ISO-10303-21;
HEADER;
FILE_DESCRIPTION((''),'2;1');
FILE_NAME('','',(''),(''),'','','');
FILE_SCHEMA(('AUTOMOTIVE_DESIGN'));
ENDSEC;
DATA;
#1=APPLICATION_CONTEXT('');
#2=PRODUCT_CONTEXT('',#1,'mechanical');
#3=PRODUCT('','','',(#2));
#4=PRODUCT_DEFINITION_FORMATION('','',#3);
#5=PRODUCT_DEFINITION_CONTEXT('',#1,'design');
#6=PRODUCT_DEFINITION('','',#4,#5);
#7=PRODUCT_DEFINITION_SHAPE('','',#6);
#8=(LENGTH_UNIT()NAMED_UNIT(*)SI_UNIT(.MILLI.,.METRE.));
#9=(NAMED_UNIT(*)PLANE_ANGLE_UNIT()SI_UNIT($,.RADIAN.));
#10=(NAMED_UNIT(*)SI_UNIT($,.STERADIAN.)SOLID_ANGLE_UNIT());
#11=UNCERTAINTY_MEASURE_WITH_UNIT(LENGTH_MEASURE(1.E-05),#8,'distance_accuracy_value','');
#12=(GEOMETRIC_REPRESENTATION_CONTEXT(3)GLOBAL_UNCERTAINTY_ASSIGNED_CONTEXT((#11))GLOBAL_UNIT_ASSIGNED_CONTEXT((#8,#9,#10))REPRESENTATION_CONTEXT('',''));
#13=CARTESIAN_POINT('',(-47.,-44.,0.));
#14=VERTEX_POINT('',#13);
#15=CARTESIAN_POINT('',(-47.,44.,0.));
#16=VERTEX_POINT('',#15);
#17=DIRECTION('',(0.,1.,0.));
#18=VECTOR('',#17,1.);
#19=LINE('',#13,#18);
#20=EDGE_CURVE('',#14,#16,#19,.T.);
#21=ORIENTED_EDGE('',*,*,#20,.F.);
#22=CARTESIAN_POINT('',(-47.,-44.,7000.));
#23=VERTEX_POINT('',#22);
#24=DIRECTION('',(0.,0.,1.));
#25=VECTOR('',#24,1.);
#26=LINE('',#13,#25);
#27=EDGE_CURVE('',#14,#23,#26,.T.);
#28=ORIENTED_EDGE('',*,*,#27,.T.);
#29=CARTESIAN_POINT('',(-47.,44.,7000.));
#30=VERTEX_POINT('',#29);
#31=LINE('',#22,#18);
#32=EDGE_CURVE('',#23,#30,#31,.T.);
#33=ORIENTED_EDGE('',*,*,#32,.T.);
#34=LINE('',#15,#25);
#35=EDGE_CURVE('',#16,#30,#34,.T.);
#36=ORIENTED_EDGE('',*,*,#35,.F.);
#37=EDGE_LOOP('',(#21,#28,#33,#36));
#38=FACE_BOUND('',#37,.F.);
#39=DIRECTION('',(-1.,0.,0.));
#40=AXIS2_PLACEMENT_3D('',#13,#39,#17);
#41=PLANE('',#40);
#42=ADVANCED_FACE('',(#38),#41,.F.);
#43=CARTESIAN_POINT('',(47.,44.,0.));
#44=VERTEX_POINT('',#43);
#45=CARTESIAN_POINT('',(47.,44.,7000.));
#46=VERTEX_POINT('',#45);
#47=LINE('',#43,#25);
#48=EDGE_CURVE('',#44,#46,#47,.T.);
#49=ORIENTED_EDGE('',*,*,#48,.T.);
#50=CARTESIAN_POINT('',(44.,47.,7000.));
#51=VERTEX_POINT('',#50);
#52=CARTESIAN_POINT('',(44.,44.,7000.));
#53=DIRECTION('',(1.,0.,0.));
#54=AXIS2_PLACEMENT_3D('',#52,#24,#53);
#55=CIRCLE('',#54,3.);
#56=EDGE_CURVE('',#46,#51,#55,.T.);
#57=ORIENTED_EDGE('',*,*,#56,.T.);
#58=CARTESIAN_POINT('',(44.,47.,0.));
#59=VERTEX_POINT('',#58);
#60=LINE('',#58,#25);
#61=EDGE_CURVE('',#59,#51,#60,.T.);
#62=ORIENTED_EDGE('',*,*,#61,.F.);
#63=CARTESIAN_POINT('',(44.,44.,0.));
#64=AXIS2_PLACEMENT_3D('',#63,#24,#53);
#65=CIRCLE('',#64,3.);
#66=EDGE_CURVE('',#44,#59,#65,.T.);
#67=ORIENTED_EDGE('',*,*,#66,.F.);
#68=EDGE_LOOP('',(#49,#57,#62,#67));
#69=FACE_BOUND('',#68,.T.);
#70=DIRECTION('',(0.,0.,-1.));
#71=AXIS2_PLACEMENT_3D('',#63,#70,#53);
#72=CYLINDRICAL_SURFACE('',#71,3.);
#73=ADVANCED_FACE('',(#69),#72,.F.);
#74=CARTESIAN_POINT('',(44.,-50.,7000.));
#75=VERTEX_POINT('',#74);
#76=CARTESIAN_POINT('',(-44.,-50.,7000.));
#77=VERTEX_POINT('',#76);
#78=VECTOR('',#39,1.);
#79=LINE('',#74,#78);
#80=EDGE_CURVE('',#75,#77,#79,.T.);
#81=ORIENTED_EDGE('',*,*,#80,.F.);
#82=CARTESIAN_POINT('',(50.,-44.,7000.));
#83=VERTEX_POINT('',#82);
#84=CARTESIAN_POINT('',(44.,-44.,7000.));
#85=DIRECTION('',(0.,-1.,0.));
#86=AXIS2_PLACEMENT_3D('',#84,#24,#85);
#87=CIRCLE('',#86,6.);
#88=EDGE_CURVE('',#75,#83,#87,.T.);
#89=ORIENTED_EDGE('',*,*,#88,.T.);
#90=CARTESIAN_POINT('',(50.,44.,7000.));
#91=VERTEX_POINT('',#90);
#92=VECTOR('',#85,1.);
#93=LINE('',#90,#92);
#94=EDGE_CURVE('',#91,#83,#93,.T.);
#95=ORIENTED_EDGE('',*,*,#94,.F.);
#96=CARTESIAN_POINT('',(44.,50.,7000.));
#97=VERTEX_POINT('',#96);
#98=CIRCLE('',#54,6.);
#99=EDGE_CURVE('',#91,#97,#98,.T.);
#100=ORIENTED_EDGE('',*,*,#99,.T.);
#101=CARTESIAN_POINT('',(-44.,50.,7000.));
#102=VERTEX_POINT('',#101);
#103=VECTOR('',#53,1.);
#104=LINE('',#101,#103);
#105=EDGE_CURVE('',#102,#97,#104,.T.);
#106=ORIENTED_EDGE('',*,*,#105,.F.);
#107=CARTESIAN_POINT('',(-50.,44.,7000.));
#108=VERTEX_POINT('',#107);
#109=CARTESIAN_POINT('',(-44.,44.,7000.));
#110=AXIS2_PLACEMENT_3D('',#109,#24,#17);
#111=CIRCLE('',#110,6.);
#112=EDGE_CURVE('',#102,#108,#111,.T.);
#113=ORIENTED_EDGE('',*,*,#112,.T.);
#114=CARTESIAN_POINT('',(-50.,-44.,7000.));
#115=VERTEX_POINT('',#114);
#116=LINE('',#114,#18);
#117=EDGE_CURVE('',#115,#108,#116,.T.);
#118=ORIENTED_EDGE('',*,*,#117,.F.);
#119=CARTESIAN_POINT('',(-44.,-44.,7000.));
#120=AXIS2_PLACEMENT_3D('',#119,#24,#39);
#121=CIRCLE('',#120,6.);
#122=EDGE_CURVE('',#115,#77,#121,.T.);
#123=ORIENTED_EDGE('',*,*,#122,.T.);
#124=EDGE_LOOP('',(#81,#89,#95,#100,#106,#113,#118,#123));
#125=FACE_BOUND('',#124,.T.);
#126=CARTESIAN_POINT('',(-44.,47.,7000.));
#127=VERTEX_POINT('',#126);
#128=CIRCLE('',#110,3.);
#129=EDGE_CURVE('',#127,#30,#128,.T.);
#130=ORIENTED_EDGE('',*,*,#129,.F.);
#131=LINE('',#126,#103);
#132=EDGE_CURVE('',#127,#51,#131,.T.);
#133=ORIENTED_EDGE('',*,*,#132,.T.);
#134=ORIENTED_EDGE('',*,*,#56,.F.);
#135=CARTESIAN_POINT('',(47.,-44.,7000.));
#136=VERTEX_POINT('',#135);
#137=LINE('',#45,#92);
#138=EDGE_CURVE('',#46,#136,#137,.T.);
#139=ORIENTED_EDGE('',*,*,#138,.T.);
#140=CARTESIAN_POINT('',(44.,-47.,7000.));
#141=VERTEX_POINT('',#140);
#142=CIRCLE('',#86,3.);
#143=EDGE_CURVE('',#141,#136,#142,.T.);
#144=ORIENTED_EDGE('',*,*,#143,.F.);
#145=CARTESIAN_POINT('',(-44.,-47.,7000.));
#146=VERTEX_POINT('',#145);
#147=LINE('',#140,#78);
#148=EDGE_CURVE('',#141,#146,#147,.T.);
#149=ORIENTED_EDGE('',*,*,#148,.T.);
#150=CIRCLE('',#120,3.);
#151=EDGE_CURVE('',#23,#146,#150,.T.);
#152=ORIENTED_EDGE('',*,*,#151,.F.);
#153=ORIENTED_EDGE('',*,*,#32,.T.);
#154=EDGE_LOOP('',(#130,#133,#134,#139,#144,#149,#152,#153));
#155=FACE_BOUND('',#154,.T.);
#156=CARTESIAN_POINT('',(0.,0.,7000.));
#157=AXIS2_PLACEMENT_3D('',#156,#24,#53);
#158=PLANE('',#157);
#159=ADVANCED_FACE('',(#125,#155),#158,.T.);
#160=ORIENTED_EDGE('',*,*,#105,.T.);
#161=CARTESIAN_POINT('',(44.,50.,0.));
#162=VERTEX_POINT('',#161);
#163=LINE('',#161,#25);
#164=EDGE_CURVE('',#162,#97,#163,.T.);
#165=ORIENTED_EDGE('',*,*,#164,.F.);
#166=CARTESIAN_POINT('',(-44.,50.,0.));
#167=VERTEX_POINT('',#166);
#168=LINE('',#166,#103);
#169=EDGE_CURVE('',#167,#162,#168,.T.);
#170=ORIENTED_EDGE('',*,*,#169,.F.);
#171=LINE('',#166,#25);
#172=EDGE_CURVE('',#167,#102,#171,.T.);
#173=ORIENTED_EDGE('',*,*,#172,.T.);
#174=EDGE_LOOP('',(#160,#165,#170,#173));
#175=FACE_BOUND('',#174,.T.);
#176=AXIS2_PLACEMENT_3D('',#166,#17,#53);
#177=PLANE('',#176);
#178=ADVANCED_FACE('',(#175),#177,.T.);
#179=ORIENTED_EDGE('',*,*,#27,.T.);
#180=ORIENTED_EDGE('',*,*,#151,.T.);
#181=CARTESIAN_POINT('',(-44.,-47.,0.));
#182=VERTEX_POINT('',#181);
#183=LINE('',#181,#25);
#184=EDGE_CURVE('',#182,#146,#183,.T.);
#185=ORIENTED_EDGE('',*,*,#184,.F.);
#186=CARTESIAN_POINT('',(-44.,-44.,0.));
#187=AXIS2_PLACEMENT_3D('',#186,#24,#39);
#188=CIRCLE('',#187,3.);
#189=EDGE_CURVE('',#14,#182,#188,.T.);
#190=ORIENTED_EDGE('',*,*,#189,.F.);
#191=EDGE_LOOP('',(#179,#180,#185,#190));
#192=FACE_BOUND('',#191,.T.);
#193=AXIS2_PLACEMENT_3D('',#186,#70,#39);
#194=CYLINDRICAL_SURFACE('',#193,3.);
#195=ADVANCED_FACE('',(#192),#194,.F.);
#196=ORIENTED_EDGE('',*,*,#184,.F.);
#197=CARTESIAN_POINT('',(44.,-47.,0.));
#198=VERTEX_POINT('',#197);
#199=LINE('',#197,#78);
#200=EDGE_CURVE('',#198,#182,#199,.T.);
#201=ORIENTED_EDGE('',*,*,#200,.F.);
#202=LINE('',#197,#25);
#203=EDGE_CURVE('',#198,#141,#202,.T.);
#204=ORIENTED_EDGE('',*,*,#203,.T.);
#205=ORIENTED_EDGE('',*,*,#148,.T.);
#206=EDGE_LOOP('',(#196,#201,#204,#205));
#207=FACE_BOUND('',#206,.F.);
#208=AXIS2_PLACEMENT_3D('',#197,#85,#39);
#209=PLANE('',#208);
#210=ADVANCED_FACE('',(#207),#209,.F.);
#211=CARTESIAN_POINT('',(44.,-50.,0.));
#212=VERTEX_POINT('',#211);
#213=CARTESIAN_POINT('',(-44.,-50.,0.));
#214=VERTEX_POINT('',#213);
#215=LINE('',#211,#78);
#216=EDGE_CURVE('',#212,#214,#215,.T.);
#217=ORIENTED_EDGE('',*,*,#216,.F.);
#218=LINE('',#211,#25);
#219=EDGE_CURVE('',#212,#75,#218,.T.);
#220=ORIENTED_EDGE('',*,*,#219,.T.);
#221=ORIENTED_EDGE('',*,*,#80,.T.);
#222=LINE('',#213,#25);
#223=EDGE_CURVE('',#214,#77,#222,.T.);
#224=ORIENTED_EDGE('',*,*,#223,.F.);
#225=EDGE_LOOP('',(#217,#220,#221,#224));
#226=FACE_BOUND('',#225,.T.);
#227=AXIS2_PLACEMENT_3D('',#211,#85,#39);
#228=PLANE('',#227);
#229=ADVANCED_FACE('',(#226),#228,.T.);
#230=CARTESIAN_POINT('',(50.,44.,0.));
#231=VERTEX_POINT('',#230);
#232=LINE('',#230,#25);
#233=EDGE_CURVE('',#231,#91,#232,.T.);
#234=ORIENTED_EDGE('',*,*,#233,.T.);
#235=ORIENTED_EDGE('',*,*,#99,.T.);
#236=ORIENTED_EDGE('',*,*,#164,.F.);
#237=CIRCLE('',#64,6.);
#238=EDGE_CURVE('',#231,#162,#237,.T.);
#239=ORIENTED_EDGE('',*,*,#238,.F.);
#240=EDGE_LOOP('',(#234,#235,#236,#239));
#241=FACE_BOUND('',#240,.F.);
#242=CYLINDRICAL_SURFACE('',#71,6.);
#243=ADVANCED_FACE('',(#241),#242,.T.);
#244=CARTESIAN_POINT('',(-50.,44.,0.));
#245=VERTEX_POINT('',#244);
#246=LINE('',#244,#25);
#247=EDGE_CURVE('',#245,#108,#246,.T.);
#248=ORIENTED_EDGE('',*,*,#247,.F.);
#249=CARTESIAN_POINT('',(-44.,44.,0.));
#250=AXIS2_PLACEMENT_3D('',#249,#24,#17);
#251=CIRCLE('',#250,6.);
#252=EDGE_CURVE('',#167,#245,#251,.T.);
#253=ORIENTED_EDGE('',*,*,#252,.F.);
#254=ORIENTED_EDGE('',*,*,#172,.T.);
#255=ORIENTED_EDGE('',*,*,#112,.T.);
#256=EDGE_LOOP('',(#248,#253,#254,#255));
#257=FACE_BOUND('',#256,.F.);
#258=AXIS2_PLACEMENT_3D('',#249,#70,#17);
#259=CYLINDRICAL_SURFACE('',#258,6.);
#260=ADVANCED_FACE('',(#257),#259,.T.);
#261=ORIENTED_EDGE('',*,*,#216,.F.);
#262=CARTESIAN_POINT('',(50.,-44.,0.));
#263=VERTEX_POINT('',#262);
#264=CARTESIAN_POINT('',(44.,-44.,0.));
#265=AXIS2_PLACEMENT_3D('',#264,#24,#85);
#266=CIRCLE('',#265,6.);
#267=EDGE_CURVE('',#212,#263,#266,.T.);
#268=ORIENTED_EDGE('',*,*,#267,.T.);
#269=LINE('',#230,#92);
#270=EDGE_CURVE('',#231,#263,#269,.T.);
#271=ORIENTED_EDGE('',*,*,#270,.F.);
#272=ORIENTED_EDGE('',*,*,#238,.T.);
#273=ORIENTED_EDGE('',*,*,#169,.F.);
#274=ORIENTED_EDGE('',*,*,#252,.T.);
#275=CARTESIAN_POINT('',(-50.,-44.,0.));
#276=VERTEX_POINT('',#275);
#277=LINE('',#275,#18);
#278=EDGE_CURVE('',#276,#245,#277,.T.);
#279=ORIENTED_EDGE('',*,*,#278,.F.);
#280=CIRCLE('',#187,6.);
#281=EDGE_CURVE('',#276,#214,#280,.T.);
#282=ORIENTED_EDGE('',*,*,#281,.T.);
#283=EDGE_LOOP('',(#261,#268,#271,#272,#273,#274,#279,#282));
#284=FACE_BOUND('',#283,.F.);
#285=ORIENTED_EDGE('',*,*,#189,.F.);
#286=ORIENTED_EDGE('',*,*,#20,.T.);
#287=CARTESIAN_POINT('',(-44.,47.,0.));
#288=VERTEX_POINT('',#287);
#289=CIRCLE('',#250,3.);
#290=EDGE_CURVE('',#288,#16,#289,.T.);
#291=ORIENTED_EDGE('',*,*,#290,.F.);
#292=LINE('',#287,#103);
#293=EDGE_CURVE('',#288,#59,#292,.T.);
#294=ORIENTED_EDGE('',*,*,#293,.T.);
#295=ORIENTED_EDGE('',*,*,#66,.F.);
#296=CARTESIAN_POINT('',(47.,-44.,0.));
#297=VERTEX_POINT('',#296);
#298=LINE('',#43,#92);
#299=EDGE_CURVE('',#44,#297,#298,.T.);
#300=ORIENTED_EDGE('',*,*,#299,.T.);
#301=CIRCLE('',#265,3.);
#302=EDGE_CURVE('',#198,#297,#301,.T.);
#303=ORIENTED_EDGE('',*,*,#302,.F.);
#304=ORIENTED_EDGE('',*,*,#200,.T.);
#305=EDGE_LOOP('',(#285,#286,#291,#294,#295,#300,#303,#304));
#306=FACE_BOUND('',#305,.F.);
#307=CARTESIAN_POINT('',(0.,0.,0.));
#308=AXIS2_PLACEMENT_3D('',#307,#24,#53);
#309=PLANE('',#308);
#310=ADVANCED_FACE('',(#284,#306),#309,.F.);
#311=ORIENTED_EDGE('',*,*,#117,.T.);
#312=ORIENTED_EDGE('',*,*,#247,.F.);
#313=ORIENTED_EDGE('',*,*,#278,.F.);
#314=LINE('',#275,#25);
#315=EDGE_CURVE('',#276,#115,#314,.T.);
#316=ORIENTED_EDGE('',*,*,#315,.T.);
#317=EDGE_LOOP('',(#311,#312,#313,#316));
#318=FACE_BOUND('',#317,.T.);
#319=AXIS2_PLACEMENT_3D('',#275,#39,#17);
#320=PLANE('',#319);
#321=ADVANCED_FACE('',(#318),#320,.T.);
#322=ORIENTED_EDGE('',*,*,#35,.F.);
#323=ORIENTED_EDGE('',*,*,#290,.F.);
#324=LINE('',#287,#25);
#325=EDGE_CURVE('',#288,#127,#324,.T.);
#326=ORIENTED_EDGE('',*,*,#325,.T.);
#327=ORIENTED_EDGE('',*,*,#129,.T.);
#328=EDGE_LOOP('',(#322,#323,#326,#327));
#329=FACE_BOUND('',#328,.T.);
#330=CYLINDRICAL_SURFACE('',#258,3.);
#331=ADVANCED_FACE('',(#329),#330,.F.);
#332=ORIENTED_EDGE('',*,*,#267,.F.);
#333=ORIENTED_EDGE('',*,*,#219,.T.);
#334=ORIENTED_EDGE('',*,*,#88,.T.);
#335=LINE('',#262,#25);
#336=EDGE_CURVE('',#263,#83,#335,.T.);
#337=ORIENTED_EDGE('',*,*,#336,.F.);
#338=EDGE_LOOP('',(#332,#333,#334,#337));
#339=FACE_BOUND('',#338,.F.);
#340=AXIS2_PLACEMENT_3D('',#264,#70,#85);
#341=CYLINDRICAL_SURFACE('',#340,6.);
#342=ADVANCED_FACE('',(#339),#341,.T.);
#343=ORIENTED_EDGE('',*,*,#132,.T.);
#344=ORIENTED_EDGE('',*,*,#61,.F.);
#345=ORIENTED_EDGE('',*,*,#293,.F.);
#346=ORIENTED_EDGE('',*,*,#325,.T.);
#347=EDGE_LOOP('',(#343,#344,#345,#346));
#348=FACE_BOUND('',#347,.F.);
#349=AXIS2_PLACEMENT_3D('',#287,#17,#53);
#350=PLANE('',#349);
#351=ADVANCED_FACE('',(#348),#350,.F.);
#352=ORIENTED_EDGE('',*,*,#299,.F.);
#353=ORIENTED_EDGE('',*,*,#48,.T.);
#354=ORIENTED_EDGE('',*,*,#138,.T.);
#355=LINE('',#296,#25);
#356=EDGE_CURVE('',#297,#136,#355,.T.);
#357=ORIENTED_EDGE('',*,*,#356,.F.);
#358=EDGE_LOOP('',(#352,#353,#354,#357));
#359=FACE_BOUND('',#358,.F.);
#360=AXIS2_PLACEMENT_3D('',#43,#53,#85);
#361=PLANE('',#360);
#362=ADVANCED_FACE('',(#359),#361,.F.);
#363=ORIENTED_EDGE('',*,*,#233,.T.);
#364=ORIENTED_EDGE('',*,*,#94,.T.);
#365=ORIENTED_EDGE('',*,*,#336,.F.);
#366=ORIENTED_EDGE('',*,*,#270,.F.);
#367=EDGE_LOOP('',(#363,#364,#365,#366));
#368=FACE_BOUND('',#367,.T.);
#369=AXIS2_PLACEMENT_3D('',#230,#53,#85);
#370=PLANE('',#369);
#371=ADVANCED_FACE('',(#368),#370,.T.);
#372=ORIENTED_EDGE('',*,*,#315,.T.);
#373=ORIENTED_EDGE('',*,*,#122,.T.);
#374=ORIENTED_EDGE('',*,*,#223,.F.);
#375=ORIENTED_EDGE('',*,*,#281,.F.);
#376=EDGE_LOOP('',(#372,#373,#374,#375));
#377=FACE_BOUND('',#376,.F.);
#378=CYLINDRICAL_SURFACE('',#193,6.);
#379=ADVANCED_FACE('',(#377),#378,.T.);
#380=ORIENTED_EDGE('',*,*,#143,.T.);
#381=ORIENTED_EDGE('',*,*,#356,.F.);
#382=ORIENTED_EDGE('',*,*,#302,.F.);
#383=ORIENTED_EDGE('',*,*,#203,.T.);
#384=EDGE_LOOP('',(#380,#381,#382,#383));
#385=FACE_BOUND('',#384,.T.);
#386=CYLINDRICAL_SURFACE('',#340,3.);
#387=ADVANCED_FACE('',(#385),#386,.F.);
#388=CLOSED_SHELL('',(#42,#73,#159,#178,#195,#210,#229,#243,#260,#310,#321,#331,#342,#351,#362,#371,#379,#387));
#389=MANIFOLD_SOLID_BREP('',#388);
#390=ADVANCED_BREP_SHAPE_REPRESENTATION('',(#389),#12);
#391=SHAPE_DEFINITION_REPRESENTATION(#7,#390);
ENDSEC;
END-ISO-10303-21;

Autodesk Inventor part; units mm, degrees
ref_plane "YZ Plane" through (0, 0, 0) normal (1, 0, 0) x (0, 1, 0)
ref_plane "Start plane" through (0, 0, 0) normal (0, 0, 1) x (1, 0, 0)
ref_plane "End plane" through (0, 0, 7000) normal (0, 0, 1) x (1, 0, 0)
sketch "Sketch" plane through (0, 0, 0) normal (0, 0, 1) x (1, 0, 0)
  line L0 (-50, -44) -> (-50, 44)
  line L1 (-44, 50) -> (44, 50)
  line L2 (50, 44) -> (50, -44)
  line L3 (44, -50) -> (-44, -50)
  arc A0 (-50, -44) -> (-44, -50) centre (-44, -44) ccw
  arc A1 (50, 44) -> (44, 50) centre (44, 44) ccw
  arc A2 (-44, 50) -> (-50, 44) centre (-44, 44) ccw
  arc A3 (44, -50) -> (50, -44) centre (44, -44) ccw
  arc A4 (-44, 47) -> (-47, 44) centre (-44, 44) ccw
  line L4 (-44, 47) -> (44, 47)
  arc A5 (47, 44) -> (44, 47) centre (44, 44) ccw
  line L5 (47, 44) -> (47, -44)
  arc A6 (44, -47) -> (47, -44) centre (44, -44) ccw
  line L6 (44, -47) -> (-44, -47)
  arc A7 (-47, -44) -> (-44, -47) centre (-44, -44) ccw
  line L7 (-47, -44) -> (-47, 44)
  line L8 (0, 72.3196) -> (0, -72.3196) construction
  line L9 (-72.3196, 0) -> (72.3196, 0) construction
  dimension "d7" = 6
  dimension "d9" = 100
  dimension "d11" = 100
  dimension "d12" = 3
  dimension "d15" = 50
  dimension "d16" = 50
extrude "Body" add sketch "Sketch" along normal up to surface (7000 mm away) from surface at 0
sketch "Sketch3" plane through (0, 0, 0) normal (0, 0, 1) x (1, 0, 0)
  line L0 (0, 0) -> (10, 0)
ref_plane "Work Plane3" through (0, 0, 0) normal (0, -1, 0) x (1, 0, 0)
sketch "Sketch4" plane through (0, 0, 0) normal (0, -1, 0) x (1, 0, 0)
  line L0 (-2, 0) -> (12, 0) projected
  line L1 (-2, 7000) -> (12, 7000) projected
  dimension "d18" = 7000
equation "\"d7\" = G_IR"
equation "\"d9\" = G_W"
equation "\"d11\" = G_H"
equation "\"d12\" = G_T"
equation "\"d15\" = 0.5 * d9"
equation "\"d16\" = 0.5 * d11"
equation "\"d3\" = G_L"
equation "\"G_W\" = 100"
equation "\"G_H\" = 100"
equation "\"G_T\" = 3"
equation "\"G_IR\" = 6"
equation "\"G_L\" = d18"
equation "\"G_OFFSET_START\" = 0"
equation "\"G_OFFSET_END\" = 0"
properties part number "ISO 10799-2 - 100x100x3 - 7000" material "Steel, Mild"
